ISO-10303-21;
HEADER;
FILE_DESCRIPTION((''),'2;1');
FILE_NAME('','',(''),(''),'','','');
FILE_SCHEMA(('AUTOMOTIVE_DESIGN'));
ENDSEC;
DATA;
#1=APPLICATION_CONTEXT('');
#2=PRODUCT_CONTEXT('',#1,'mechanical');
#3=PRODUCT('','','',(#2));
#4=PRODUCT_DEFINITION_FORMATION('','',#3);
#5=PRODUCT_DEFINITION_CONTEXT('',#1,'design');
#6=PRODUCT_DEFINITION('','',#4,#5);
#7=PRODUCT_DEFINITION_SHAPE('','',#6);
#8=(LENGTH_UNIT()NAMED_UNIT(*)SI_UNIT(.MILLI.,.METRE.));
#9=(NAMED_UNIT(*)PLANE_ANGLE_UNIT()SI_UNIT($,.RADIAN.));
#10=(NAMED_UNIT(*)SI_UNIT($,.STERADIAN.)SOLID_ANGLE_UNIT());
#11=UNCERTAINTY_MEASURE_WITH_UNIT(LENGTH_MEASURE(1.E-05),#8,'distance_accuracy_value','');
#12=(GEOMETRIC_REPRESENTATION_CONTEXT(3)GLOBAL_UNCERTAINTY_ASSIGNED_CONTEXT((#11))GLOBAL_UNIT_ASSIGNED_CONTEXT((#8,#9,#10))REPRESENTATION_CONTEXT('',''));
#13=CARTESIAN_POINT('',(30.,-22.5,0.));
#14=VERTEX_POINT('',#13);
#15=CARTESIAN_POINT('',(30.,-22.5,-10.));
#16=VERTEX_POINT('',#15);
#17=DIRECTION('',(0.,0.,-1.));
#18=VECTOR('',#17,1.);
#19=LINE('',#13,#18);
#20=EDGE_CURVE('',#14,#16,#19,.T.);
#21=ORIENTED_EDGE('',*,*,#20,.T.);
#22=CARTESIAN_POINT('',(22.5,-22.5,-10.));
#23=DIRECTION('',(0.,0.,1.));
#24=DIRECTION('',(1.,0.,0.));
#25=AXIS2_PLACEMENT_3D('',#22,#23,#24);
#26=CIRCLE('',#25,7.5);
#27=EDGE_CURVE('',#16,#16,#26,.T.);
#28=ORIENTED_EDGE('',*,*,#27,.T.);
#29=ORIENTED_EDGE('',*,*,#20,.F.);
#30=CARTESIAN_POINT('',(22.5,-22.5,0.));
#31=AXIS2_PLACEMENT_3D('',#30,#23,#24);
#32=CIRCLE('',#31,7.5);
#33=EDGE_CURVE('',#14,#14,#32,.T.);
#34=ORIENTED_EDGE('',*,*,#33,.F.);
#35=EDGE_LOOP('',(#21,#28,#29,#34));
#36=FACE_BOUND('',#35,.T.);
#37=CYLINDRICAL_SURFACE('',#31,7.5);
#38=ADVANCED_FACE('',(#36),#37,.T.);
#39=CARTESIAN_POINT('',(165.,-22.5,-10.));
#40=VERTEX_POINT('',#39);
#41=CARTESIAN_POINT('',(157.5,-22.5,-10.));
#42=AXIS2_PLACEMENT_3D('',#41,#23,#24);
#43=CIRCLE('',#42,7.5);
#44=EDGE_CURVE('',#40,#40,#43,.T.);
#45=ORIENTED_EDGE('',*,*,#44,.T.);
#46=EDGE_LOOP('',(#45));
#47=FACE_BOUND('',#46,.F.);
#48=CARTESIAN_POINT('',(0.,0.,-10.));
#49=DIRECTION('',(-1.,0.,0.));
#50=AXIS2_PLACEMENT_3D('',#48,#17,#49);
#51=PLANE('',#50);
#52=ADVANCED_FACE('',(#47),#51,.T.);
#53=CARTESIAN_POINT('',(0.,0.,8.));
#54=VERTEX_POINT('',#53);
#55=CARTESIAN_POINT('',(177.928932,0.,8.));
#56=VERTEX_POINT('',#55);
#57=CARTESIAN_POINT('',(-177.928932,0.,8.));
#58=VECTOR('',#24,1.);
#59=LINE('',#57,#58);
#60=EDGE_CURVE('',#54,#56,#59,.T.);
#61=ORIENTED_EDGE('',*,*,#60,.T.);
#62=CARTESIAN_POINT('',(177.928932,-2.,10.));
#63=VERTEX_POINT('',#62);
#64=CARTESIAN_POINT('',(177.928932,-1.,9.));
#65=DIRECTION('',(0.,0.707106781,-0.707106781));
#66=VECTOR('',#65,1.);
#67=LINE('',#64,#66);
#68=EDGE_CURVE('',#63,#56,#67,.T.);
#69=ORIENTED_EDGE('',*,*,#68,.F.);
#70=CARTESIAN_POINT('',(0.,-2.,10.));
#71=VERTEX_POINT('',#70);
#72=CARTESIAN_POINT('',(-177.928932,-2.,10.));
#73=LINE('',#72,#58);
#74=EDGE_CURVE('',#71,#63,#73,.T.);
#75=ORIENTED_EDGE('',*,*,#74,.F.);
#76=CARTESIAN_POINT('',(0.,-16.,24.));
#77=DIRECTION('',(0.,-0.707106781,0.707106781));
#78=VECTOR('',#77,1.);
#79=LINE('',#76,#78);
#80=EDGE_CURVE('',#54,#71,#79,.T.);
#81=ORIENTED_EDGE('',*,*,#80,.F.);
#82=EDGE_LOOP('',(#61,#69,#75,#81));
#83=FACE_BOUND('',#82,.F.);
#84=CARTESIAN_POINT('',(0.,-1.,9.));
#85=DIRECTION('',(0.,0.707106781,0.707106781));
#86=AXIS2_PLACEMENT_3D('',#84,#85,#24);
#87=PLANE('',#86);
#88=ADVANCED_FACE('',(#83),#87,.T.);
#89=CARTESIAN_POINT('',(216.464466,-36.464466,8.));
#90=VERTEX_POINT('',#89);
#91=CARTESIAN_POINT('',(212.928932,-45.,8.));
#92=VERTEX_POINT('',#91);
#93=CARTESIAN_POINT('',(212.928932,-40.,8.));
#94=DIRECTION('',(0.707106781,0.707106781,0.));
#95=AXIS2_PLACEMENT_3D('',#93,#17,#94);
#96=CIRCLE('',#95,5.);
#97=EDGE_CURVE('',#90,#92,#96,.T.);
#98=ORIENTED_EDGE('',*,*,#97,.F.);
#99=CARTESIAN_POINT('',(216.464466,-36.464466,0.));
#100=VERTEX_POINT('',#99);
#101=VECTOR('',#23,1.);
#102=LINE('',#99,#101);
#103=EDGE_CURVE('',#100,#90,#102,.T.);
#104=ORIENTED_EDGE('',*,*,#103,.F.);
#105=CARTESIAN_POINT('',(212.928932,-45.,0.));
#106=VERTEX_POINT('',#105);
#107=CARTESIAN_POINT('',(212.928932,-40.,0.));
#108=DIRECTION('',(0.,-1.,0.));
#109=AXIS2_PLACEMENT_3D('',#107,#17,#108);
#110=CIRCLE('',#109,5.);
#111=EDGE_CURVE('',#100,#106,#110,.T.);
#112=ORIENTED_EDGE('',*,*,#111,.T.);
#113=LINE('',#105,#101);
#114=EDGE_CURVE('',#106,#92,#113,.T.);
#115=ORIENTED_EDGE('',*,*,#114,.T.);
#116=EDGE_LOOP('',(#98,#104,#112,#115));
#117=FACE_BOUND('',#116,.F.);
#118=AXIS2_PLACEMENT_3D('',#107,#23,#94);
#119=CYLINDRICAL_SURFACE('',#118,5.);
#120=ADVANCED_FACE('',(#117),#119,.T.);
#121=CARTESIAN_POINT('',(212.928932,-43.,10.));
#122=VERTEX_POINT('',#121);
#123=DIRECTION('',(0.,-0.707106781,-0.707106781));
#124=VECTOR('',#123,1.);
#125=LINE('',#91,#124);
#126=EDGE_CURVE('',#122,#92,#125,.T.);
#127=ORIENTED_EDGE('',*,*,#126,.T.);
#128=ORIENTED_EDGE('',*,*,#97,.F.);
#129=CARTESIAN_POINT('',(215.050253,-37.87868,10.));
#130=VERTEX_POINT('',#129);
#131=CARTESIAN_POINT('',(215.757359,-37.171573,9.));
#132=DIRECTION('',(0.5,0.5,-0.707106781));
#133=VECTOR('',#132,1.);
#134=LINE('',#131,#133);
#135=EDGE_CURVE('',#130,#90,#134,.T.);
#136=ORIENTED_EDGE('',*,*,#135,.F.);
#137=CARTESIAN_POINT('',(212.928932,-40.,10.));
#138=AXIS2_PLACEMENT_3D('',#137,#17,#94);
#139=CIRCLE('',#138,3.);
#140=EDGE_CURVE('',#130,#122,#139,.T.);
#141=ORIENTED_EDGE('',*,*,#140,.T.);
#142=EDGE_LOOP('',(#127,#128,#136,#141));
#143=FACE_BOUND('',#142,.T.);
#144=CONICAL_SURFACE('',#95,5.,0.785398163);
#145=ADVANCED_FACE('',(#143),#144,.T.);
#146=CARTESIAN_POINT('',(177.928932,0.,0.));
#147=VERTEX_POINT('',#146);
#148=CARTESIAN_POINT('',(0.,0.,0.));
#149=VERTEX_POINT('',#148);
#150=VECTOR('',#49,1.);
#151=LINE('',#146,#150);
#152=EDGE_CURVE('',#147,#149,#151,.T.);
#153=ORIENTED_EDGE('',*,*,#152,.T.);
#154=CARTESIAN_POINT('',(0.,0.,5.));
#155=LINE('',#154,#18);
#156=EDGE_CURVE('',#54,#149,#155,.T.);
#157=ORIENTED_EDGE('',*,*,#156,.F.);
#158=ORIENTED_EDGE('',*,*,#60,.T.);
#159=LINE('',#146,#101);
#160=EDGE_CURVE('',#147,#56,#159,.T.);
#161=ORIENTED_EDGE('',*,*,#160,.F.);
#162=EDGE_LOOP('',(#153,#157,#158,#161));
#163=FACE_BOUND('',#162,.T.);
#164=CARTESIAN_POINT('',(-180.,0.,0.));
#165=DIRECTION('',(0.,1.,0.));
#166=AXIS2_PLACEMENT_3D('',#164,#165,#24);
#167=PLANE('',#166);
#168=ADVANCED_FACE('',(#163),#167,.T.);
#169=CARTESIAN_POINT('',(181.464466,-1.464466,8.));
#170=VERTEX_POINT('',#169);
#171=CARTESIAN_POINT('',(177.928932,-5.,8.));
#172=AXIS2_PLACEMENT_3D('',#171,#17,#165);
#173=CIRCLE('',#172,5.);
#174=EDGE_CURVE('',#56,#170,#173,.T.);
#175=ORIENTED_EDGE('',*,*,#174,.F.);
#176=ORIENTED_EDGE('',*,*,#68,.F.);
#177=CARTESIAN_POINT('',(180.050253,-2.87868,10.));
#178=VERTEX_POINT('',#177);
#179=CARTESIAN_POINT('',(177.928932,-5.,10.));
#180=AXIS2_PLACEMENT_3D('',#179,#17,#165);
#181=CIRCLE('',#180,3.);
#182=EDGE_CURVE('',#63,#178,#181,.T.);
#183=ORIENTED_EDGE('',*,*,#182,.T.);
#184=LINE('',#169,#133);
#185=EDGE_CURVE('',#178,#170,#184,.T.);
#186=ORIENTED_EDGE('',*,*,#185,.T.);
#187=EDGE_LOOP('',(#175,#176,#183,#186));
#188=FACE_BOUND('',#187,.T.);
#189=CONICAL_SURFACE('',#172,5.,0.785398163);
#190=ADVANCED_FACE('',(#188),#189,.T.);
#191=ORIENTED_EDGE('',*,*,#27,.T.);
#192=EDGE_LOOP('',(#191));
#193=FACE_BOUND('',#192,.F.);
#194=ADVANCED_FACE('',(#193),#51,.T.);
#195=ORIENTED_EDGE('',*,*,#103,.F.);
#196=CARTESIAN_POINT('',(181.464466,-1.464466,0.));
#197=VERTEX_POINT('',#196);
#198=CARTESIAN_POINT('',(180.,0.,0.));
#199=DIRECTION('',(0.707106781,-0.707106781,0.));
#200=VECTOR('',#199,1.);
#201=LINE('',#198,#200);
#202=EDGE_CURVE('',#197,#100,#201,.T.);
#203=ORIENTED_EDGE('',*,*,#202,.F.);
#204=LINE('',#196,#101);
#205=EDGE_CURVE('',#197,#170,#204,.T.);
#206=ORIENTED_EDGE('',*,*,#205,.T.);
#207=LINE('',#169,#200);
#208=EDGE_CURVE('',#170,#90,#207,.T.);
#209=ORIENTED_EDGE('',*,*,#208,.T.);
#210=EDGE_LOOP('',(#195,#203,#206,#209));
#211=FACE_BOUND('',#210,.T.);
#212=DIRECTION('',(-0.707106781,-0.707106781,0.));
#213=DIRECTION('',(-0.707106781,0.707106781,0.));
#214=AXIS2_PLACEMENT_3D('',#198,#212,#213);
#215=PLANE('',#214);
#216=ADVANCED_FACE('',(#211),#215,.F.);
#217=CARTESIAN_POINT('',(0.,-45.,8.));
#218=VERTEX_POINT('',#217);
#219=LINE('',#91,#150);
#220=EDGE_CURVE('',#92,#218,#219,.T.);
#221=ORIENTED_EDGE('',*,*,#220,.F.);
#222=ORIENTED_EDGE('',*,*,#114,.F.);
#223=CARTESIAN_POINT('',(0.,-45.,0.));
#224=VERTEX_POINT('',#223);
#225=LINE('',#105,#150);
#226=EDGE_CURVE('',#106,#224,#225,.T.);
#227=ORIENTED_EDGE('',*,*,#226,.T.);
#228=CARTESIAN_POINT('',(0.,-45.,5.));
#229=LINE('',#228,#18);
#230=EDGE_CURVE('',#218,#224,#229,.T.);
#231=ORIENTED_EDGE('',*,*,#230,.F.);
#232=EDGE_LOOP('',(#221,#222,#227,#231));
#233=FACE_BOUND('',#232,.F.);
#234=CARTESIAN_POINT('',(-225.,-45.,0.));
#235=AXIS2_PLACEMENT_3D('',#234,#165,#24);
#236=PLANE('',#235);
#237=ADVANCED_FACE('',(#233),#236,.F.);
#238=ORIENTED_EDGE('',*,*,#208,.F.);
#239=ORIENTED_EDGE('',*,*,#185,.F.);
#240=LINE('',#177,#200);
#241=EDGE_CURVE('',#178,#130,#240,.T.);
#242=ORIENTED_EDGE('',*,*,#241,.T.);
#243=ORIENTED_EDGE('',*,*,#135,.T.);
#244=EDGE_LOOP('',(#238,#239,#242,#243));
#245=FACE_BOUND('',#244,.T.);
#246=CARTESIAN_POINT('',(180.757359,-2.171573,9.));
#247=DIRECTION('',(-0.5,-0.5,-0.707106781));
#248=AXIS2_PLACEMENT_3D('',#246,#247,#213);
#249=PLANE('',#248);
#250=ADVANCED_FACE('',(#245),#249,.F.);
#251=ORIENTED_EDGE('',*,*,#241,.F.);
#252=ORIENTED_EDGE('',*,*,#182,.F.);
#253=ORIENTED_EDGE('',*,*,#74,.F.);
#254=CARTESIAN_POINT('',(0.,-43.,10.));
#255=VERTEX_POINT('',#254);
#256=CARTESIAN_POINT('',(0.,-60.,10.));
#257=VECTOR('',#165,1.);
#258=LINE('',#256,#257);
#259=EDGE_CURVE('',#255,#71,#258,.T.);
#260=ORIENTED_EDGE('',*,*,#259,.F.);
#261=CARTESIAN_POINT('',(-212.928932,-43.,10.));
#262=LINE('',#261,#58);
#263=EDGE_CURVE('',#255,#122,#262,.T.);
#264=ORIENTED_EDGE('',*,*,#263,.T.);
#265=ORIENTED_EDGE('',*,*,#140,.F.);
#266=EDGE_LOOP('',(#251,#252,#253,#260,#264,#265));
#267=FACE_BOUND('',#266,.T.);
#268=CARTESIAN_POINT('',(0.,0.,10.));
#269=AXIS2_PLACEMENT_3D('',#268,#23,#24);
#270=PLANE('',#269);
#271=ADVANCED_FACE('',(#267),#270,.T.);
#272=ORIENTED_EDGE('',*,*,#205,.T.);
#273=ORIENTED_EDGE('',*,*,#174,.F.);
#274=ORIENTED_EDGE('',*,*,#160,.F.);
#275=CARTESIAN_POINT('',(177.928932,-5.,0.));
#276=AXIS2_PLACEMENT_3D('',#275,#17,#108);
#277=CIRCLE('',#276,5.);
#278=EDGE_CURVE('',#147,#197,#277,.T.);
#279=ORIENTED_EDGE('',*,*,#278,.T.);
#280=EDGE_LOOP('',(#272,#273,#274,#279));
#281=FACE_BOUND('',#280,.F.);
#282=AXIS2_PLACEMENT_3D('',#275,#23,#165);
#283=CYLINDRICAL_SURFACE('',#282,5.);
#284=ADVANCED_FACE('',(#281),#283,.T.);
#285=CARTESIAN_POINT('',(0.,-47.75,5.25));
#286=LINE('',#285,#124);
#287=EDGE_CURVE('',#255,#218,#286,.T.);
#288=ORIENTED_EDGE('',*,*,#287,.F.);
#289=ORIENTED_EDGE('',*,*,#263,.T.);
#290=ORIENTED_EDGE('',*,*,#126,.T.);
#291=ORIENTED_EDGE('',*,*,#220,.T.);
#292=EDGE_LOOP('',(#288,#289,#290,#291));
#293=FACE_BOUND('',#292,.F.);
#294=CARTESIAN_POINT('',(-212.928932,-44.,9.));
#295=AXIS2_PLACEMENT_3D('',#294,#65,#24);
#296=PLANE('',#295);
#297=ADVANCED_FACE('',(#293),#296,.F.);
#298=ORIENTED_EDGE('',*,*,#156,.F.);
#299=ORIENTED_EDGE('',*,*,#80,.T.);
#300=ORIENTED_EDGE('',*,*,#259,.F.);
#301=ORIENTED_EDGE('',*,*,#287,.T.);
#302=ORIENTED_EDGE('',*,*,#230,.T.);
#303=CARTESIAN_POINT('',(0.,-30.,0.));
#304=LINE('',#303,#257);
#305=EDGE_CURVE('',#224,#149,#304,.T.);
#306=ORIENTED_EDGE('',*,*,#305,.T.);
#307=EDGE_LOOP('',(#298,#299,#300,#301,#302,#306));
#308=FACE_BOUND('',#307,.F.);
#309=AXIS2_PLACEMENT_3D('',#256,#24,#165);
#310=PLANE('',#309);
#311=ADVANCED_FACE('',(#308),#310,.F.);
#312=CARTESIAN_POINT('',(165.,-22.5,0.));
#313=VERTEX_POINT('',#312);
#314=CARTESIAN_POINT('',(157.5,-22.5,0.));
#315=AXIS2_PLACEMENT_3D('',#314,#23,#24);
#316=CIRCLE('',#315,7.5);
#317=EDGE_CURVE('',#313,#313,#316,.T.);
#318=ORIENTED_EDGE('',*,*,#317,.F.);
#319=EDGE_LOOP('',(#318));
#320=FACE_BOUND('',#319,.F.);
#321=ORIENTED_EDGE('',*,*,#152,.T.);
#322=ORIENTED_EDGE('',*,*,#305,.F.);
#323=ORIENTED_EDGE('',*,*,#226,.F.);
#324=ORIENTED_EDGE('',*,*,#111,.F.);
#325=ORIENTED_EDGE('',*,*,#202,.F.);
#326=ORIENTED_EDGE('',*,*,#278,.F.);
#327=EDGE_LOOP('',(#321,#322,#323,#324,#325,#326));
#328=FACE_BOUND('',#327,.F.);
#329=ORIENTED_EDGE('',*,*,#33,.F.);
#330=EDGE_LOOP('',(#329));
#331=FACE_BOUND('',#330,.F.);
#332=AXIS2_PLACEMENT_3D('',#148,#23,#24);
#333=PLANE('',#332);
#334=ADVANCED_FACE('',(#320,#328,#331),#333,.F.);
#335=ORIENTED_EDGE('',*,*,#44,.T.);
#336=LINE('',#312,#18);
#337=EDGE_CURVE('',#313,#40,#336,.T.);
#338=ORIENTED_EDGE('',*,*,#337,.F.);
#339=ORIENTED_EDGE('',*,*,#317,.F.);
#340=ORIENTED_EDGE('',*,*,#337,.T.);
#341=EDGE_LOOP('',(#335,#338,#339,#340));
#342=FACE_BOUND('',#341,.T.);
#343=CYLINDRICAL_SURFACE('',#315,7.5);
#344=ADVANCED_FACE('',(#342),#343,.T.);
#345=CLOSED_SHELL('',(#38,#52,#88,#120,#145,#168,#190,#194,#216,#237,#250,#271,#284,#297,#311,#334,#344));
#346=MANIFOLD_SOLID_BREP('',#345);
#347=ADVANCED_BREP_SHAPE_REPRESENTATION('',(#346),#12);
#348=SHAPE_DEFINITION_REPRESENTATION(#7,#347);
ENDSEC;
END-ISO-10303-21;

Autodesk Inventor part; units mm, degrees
ref_plane "YZ Plane" through (0, 0, 0) normal (1, 0, 0) x (0, 1, 0)
ref_plane "XZ Plane" through (0, 0, 0) normal (0, 1, 0) x (-1, 0, 0)
ref_plane "XY Plane" through (0, 0, 0) normal (0, 0, 1) x (1, 0, 0)
sketch "Sketch1" plane through (0, 0, 0) normal (0, 0, 1) x (1, 0, 0)
  line L0 (-180, 0) -> (0, 0)
  line L1 (-225, -45) -> (0, -45)
  line L2 (-180, 0) -> (-225, -45)
  line L3 (0, 0) -> (0, -45)
  dimension "d2" = 45
  dimension "d9" = 225
  dimension "d10" = 180
extrude "Extrusion1" add sketch "Sketch1" along normal blind 10
sketch "Sketch4" plane through (0, 0, 0) normal (0, 0, -1) x (-1, 0, 0)
  circle A0 centre (22.5, -22.5) radius 7.5
  circle A1 centre (157.5, -22.5) radius 7.5
  point P0 (0, -45)
  point P1 (180, 0)
  dimension "d26" = 15
  dimension "d30" = 15
extrude "Extrusion2" add sketch "Sketch4" along normal blind 10
fillet "Fillet5" radius 5 2 edges at (-225, -45, 5) (-180, 0, 5)
chamfer "Chamfer3" distance 2 angle 45 5 edges at (-106.4645, -45, 10) (-217.5483, -41.9134, 10) (-198.9645, -18.9645, 10) (-179.8423, -0.3806, 10) (-88.9645, 0, 10)
mirror "Mirror1" about plane through (0, 0, 0) normal (1, 0, 0)
sketch "Sketch6" plane through (0, 0, 10) normal (0, 0, 1) x (1, 0, 0)
  line L0 (0, 20) -> (-220, 20)
  line L1 (-220, 20) -> (-220, -60)
  line L2 (-220, -60) -> (0, -60)
  line L3 (0, -60) -> (0, 20)
  point P0 (0, 0)
  dimension "d47" = 220
  dimension "d48" = 80
extrude "Extrusion6" cut sketch "Sketch6" against normal blind 20
properties part number "Border"
